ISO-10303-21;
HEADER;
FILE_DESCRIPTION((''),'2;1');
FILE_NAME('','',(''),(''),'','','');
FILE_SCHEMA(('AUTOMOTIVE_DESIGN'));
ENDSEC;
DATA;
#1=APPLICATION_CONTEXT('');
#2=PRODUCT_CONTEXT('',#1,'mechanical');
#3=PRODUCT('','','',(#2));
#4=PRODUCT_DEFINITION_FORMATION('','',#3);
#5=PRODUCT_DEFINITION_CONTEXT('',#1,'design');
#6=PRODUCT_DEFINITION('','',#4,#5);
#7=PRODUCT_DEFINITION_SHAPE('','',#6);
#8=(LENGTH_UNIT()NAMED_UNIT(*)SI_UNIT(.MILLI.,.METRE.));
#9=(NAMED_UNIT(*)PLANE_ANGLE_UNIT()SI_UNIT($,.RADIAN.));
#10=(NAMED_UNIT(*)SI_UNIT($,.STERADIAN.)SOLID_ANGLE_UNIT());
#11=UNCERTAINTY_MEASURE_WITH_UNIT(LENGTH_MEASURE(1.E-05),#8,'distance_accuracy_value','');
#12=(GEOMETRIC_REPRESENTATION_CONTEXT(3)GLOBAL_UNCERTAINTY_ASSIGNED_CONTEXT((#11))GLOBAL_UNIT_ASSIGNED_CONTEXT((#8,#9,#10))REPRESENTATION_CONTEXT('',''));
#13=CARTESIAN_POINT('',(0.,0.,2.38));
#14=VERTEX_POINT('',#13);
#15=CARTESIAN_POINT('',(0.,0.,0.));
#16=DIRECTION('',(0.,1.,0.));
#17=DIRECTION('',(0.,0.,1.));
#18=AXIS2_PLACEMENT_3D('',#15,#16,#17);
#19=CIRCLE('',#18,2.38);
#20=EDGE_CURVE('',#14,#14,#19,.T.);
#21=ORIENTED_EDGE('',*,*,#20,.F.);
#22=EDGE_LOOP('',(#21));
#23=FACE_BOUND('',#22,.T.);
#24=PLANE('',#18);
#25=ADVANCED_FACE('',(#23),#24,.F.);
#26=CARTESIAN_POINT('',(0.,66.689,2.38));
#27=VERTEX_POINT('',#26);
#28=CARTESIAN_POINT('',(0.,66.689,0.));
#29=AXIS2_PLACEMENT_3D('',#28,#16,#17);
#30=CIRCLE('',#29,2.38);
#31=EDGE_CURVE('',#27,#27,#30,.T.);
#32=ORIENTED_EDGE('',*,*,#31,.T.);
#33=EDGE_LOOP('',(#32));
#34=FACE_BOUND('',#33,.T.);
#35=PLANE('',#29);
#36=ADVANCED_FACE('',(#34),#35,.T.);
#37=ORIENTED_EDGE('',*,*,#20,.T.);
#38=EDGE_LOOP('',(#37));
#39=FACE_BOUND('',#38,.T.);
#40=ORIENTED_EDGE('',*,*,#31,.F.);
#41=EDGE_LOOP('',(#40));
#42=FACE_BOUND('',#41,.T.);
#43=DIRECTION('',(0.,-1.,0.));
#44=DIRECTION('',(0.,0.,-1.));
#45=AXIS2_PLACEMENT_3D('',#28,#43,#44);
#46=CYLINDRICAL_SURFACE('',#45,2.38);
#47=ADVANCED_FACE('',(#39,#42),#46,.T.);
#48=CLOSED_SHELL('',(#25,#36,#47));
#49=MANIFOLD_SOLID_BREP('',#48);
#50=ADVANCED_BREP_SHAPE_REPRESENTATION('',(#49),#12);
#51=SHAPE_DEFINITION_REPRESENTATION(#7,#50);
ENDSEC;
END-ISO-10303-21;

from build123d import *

# Parameters (mm, degrees)
ESBO_O1_R                = 2.38
RESSALTO_EXTRUS_O1_DEPTH = 66.689


with BuildPart() as part:
    # Esboço1 → Ressalto-extrusão1 (new body)
    with BuildSketch(Plane(origin=(0, 0, 0), x_dir=(1, 0, 0), z_dir=(0, 1, 0))):
        with Locations(Location((0, 0, 0), (0, 0, 270))):
            Circle(ESBO_O1_R)
    extrude(amount=RESSALTO_EXTRUS_O1_DEPTH)


solid = part.part
